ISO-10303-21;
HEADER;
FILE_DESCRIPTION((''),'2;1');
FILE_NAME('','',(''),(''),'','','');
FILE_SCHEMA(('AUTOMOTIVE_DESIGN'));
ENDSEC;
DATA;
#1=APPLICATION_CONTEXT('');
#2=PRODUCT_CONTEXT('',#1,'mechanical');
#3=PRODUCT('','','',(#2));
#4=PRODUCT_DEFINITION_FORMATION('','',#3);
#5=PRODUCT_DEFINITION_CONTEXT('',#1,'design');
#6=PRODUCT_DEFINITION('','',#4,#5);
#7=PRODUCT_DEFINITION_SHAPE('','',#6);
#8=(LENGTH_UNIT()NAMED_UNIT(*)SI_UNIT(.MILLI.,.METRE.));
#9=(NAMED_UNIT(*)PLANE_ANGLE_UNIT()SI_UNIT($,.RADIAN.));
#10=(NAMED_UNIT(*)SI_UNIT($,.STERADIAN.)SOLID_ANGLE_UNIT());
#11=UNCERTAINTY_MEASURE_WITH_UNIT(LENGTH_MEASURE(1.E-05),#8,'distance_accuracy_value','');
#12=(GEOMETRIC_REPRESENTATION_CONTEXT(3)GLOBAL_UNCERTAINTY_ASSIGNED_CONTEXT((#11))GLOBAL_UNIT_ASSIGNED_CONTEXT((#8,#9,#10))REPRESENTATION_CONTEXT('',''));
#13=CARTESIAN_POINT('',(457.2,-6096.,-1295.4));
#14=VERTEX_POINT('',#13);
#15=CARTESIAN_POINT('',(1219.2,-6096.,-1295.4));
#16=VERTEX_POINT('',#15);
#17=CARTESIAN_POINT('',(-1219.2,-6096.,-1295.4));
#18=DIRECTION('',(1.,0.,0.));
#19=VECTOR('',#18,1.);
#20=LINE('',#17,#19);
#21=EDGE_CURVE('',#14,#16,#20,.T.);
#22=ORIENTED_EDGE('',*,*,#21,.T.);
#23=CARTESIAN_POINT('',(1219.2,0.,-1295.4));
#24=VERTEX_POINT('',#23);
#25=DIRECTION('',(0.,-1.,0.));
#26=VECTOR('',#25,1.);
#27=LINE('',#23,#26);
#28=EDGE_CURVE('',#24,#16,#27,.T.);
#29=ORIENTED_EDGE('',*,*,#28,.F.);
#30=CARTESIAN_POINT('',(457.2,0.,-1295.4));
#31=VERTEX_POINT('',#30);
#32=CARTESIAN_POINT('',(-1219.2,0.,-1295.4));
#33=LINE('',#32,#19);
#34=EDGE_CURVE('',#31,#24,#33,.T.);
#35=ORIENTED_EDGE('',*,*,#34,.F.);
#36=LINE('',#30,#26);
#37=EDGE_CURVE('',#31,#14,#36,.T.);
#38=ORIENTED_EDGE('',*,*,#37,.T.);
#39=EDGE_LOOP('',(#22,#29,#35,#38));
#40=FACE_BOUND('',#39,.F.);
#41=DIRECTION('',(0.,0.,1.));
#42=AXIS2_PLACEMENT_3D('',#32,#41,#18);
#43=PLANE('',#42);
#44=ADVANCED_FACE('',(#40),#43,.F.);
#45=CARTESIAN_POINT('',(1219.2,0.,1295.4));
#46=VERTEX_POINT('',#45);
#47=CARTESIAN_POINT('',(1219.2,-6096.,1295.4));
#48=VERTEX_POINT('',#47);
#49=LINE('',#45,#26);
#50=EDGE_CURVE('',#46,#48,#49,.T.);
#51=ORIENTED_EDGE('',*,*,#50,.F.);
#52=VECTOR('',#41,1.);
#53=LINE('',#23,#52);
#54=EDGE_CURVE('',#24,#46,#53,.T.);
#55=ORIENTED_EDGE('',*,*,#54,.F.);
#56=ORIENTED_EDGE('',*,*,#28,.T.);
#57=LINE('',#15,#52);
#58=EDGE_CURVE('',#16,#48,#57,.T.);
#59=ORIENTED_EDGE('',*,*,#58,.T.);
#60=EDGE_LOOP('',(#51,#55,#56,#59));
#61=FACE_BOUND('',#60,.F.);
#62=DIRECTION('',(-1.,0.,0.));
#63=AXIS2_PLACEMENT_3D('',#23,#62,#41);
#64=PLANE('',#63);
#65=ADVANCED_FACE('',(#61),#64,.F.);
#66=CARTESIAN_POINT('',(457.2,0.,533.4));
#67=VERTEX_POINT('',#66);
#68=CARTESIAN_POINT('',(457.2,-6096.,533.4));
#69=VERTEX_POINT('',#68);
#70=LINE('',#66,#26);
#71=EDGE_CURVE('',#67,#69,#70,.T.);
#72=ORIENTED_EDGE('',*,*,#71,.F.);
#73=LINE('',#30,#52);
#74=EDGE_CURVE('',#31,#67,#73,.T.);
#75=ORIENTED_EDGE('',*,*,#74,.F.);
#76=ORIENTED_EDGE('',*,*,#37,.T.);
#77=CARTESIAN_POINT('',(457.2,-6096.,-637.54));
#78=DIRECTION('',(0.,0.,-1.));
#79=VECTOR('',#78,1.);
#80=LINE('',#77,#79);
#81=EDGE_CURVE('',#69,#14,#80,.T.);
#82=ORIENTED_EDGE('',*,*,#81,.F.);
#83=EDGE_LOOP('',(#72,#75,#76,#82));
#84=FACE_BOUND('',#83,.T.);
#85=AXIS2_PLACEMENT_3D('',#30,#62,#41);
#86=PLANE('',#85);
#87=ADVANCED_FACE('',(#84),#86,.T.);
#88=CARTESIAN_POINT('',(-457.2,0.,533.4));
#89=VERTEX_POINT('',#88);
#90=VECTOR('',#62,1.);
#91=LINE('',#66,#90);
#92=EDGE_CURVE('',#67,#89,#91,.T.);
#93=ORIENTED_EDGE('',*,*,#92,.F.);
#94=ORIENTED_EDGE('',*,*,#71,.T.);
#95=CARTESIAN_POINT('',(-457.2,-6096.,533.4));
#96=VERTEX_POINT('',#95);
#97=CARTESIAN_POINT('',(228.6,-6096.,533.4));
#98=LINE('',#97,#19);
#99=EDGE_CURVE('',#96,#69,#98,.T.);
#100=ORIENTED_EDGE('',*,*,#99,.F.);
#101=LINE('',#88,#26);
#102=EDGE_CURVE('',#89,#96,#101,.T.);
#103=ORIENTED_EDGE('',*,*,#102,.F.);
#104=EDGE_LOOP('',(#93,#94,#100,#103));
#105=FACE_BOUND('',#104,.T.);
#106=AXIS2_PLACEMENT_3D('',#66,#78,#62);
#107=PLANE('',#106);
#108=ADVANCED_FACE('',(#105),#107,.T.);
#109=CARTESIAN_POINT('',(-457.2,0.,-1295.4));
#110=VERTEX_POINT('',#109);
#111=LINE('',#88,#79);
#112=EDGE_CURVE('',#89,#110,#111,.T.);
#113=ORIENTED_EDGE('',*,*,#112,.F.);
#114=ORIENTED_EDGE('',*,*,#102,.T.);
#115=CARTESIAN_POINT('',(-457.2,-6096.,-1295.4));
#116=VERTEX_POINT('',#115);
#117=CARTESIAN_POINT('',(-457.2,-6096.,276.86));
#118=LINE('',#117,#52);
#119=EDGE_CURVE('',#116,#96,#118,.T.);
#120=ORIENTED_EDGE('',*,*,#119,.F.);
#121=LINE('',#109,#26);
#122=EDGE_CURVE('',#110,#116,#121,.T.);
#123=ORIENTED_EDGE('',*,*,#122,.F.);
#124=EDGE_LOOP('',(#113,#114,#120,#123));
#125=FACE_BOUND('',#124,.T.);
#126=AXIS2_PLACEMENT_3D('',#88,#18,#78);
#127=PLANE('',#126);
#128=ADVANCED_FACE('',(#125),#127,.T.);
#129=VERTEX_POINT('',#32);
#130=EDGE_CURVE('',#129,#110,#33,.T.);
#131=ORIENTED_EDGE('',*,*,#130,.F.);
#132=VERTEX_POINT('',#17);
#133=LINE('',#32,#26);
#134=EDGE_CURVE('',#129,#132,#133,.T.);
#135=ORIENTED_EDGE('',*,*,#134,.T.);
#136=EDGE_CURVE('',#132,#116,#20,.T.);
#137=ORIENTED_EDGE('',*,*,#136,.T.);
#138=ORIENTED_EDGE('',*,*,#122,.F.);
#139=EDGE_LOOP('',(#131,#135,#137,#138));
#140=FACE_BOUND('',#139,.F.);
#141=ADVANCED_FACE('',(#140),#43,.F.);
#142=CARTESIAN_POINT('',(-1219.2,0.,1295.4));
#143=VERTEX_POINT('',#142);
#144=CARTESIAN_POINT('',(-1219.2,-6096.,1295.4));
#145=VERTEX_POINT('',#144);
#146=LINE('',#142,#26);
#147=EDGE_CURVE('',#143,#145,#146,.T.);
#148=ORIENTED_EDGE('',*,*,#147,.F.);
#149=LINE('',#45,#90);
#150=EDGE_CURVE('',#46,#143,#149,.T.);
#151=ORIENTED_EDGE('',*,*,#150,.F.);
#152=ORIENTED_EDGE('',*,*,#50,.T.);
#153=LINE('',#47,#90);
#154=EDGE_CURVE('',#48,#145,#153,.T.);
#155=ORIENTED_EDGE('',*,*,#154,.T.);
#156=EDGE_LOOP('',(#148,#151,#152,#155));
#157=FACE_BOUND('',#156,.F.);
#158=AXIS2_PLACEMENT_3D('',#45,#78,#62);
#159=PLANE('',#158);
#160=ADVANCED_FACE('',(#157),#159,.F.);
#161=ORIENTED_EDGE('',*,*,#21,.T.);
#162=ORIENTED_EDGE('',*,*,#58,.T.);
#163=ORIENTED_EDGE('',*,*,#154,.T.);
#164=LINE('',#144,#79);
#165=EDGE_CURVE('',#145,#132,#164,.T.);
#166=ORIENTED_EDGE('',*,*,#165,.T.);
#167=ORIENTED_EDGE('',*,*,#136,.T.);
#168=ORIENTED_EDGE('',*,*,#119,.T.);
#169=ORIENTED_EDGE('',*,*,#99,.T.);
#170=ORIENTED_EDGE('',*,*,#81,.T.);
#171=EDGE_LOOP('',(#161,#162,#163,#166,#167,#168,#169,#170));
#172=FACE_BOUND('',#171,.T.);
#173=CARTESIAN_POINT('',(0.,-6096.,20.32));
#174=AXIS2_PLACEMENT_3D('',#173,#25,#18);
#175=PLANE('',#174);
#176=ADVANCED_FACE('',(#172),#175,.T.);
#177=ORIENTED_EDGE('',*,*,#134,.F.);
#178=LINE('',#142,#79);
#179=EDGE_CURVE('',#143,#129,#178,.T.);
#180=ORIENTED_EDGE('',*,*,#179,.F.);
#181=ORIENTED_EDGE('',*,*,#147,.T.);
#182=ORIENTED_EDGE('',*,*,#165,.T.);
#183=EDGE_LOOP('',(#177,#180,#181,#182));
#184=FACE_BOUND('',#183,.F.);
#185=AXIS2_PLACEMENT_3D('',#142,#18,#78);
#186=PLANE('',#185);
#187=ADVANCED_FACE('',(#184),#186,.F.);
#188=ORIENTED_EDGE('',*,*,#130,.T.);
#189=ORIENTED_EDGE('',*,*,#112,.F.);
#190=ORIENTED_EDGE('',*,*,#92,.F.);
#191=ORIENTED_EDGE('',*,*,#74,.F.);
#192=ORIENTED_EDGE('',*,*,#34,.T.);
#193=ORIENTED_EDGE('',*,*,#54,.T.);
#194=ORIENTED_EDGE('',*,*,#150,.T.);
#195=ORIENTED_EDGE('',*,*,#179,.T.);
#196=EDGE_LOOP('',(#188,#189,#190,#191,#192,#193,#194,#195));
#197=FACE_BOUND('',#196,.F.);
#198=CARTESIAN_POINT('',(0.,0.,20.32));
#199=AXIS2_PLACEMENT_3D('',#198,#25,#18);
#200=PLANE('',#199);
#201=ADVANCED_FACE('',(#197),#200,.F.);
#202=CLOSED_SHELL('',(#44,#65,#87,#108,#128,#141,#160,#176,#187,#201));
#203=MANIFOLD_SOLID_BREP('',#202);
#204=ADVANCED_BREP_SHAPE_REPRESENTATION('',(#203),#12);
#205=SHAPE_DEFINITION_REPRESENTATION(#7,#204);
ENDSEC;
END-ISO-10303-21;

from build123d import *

# Parameters (mm, degrees)
F1_DEPTH = 6096
F2_DEPTH = 6096.001


with BuildPart() as f1:
    # F0 (on Front) → F1 (new body)
    with BuildSketch(Plane.XZ):
        Polygon((1219.2, 1295.4), (-1219.2, 1295.4), (-1219.2, -1295.4), (-457.2, -1295.4), (-457.2, 533.4), (0, 533.4), (457.2, 533.4), (457.2, -1295.4), (1219.2, -1295.4), align=None)
        Polygon((-457.2, 533.4), (-457.2, -1295.4), (454.852939, -1295.4), (457.2, -1295.4), (457.2, 533.4), (0, 533.4), align=None)
    extrude(amount=F1_DEPTH)

    # F0 (on Front) → F2 (cut, through all)
    with BuildSketch(Plane.XZ):
        Polygon((-457.2, 533.4), (-457.2, -1295.4), (454.852939, -1295.4), (457.2, -1295.4), (457.2, 533.4), (0, 533.4), align=None)
    extrude(amount=F2_DEPTH, mode=Mode.SUBTRACT)


solid = f1.part
